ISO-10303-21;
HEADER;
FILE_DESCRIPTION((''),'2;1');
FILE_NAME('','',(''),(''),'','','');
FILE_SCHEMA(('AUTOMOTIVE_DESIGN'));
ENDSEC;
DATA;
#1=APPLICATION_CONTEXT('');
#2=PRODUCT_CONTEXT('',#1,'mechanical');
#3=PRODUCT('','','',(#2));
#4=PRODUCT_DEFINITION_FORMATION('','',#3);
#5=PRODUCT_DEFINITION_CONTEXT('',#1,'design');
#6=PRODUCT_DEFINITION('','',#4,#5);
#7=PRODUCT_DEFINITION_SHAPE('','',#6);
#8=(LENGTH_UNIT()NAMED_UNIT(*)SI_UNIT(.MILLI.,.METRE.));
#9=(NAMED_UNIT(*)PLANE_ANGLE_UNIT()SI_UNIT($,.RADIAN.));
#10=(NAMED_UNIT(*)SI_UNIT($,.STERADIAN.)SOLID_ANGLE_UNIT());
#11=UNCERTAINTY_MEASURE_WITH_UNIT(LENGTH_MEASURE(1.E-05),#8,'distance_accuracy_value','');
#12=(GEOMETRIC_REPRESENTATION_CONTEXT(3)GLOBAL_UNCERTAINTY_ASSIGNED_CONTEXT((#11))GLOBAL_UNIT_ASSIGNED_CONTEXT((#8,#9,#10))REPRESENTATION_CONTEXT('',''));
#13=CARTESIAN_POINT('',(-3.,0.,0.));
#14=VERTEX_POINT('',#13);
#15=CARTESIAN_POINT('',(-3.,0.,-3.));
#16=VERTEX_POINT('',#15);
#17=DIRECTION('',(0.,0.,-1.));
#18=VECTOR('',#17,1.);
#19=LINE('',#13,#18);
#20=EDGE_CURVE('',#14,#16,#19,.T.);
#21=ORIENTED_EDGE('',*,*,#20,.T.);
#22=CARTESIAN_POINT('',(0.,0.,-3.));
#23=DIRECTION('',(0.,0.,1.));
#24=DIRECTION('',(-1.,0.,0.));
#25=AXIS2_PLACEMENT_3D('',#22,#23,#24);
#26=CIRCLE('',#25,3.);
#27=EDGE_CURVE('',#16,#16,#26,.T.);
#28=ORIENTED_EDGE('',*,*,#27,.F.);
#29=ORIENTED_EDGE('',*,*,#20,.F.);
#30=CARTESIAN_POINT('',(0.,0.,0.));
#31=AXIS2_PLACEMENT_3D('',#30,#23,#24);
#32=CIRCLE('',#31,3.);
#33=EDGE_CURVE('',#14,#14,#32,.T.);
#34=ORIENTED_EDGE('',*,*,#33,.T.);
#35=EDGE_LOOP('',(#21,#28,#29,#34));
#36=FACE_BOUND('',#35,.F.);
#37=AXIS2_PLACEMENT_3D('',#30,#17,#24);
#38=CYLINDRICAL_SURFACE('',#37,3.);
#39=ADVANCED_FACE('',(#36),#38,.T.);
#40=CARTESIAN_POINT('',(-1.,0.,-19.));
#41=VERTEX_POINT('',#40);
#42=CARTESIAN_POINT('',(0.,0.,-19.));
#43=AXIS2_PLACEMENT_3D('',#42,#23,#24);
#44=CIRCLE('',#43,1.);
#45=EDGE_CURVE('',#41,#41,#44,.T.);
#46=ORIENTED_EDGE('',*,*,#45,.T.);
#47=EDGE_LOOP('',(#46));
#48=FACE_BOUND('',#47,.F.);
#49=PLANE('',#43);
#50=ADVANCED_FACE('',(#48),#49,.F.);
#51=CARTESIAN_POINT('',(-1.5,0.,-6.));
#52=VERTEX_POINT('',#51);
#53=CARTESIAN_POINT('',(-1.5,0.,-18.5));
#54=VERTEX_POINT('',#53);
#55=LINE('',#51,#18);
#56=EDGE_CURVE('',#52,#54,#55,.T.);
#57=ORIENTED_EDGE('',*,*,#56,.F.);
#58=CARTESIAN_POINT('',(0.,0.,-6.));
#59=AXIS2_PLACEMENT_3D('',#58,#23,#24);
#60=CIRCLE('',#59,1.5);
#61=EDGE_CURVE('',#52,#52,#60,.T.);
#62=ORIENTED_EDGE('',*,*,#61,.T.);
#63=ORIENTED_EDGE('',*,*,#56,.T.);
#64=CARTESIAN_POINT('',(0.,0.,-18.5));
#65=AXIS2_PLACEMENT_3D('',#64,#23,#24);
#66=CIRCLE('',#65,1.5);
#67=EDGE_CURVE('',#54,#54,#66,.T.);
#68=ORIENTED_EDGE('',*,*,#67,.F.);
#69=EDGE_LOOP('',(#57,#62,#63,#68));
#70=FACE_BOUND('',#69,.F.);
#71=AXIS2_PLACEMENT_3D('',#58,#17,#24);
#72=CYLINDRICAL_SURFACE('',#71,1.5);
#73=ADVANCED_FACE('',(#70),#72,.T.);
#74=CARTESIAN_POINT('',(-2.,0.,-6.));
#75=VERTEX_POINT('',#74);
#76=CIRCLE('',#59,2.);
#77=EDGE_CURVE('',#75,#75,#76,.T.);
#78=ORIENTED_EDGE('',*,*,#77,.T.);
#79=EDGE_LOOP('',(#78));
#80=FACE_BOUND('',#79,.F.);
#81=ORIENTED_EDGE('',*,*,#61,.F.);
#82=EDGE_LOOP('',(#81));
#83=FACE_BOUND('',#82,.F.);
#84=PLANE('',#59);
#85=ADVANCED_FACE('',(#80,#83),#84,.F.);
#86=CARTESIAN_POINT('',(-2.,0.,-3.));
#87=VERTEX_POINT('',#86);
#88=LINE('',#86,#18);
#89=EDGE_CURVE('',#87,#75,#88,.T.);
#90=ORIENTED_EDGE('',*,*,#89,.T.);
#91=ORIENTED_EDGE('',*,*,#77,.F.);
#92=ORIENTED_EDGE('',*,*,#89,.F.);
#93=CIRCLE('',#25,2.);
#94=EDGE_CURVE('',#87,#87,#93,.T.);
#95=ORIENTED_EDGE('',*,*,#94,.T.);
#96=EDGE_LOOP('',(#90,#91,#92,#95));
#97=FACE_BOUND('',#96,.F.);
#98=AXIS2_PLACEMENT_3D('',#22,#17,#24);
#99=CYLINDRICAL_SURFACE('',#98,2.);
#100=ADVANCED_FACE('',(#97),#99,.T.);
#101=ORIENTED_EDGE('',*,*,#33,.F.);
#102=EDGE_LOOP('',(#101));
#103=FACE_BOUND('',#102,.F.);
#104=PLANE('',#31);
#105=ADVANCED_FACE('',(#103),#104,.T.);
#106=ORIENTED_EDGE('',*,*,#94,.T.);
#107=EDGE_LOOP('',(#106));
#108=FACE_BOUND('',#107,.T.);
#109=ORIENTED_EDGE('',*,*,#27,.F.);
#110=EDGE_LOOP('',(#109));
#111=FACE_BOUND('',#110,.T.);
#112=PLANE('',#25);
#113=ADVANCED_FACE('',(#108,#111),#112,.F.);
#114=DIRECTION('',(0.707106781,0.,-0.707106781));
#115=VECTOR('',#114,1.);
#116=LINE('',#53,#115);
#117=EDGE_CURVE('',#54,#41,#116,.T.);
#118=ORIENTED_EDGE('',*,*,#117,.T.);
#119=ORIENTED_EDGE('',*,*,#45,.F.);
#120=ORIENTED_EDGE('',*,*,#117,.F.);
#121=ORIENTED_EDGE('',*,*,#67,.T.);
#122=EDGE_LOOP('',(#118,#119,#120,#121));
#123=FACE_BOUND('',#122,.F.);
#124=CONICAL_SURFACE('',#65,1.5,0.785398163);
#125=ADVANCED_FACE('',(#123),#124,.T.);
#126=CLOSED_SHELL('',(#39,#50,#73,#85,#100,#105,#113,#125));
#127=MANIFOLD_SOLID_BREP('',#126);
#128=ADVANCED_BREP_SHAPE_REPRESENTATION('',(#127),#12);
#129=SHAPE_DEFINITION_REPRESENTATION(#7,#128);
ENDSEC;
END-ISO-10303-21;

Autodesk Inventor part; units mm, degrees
ref_plane "YZ Plane" through (0, 0, 0) normal (1, 0, 0) x (0, 1, 0)
ref_plane "XZ Plane" through (0, 0, 0) normal (0, 1, 0) x (-1, 0, 0)
ref_plane "XY Plane" through (0, 0, 0) normal (0, 0, 1) x (1, 0, 0)
sketch "Эскиз1" plane through (0, 0, 0) normal (0, 1, 0) x (-1, 0, 0)
  line L0 (0, 0) -> (3, 0)
  line L1 (3, 0) -> (3, -3)
  line L2 (0, -3) -> (1.5, -3)
  line L3 (1.5, -6) -> (1.5, -19)
  line L4 (1.5, -19) -> (0, -19)
  line L5 (0, -19) -> (0, 0)
  line L6 (1.5, -3) -> (3, -3)
  line L7 (1.5, -3) -> (2, -3)
  line L8 (2, -3) -> (2, -6)
  line L9 (2, -6) -> (0, -6)
  dimension "d0" = 3
  dimension "d1" = 3
  dimension "d2" = 1.5
  dimension "d3" = 16
  dimension "d4" = 0.5
  dimension "d5" = 3
revolve "Вращение1" add sketch "Эскиз1" angle 360 about axis through (0, 0, -19) along (0, 0, 1)
thread "Резьба1" size "M3x0.5" class "6g" standard "ISO Metric profile" full length
chamfer "Фаска1" distance 0.5 angle 45 1 edges at (1.5, 0, -19)
properties part number "Болт М3х16"
